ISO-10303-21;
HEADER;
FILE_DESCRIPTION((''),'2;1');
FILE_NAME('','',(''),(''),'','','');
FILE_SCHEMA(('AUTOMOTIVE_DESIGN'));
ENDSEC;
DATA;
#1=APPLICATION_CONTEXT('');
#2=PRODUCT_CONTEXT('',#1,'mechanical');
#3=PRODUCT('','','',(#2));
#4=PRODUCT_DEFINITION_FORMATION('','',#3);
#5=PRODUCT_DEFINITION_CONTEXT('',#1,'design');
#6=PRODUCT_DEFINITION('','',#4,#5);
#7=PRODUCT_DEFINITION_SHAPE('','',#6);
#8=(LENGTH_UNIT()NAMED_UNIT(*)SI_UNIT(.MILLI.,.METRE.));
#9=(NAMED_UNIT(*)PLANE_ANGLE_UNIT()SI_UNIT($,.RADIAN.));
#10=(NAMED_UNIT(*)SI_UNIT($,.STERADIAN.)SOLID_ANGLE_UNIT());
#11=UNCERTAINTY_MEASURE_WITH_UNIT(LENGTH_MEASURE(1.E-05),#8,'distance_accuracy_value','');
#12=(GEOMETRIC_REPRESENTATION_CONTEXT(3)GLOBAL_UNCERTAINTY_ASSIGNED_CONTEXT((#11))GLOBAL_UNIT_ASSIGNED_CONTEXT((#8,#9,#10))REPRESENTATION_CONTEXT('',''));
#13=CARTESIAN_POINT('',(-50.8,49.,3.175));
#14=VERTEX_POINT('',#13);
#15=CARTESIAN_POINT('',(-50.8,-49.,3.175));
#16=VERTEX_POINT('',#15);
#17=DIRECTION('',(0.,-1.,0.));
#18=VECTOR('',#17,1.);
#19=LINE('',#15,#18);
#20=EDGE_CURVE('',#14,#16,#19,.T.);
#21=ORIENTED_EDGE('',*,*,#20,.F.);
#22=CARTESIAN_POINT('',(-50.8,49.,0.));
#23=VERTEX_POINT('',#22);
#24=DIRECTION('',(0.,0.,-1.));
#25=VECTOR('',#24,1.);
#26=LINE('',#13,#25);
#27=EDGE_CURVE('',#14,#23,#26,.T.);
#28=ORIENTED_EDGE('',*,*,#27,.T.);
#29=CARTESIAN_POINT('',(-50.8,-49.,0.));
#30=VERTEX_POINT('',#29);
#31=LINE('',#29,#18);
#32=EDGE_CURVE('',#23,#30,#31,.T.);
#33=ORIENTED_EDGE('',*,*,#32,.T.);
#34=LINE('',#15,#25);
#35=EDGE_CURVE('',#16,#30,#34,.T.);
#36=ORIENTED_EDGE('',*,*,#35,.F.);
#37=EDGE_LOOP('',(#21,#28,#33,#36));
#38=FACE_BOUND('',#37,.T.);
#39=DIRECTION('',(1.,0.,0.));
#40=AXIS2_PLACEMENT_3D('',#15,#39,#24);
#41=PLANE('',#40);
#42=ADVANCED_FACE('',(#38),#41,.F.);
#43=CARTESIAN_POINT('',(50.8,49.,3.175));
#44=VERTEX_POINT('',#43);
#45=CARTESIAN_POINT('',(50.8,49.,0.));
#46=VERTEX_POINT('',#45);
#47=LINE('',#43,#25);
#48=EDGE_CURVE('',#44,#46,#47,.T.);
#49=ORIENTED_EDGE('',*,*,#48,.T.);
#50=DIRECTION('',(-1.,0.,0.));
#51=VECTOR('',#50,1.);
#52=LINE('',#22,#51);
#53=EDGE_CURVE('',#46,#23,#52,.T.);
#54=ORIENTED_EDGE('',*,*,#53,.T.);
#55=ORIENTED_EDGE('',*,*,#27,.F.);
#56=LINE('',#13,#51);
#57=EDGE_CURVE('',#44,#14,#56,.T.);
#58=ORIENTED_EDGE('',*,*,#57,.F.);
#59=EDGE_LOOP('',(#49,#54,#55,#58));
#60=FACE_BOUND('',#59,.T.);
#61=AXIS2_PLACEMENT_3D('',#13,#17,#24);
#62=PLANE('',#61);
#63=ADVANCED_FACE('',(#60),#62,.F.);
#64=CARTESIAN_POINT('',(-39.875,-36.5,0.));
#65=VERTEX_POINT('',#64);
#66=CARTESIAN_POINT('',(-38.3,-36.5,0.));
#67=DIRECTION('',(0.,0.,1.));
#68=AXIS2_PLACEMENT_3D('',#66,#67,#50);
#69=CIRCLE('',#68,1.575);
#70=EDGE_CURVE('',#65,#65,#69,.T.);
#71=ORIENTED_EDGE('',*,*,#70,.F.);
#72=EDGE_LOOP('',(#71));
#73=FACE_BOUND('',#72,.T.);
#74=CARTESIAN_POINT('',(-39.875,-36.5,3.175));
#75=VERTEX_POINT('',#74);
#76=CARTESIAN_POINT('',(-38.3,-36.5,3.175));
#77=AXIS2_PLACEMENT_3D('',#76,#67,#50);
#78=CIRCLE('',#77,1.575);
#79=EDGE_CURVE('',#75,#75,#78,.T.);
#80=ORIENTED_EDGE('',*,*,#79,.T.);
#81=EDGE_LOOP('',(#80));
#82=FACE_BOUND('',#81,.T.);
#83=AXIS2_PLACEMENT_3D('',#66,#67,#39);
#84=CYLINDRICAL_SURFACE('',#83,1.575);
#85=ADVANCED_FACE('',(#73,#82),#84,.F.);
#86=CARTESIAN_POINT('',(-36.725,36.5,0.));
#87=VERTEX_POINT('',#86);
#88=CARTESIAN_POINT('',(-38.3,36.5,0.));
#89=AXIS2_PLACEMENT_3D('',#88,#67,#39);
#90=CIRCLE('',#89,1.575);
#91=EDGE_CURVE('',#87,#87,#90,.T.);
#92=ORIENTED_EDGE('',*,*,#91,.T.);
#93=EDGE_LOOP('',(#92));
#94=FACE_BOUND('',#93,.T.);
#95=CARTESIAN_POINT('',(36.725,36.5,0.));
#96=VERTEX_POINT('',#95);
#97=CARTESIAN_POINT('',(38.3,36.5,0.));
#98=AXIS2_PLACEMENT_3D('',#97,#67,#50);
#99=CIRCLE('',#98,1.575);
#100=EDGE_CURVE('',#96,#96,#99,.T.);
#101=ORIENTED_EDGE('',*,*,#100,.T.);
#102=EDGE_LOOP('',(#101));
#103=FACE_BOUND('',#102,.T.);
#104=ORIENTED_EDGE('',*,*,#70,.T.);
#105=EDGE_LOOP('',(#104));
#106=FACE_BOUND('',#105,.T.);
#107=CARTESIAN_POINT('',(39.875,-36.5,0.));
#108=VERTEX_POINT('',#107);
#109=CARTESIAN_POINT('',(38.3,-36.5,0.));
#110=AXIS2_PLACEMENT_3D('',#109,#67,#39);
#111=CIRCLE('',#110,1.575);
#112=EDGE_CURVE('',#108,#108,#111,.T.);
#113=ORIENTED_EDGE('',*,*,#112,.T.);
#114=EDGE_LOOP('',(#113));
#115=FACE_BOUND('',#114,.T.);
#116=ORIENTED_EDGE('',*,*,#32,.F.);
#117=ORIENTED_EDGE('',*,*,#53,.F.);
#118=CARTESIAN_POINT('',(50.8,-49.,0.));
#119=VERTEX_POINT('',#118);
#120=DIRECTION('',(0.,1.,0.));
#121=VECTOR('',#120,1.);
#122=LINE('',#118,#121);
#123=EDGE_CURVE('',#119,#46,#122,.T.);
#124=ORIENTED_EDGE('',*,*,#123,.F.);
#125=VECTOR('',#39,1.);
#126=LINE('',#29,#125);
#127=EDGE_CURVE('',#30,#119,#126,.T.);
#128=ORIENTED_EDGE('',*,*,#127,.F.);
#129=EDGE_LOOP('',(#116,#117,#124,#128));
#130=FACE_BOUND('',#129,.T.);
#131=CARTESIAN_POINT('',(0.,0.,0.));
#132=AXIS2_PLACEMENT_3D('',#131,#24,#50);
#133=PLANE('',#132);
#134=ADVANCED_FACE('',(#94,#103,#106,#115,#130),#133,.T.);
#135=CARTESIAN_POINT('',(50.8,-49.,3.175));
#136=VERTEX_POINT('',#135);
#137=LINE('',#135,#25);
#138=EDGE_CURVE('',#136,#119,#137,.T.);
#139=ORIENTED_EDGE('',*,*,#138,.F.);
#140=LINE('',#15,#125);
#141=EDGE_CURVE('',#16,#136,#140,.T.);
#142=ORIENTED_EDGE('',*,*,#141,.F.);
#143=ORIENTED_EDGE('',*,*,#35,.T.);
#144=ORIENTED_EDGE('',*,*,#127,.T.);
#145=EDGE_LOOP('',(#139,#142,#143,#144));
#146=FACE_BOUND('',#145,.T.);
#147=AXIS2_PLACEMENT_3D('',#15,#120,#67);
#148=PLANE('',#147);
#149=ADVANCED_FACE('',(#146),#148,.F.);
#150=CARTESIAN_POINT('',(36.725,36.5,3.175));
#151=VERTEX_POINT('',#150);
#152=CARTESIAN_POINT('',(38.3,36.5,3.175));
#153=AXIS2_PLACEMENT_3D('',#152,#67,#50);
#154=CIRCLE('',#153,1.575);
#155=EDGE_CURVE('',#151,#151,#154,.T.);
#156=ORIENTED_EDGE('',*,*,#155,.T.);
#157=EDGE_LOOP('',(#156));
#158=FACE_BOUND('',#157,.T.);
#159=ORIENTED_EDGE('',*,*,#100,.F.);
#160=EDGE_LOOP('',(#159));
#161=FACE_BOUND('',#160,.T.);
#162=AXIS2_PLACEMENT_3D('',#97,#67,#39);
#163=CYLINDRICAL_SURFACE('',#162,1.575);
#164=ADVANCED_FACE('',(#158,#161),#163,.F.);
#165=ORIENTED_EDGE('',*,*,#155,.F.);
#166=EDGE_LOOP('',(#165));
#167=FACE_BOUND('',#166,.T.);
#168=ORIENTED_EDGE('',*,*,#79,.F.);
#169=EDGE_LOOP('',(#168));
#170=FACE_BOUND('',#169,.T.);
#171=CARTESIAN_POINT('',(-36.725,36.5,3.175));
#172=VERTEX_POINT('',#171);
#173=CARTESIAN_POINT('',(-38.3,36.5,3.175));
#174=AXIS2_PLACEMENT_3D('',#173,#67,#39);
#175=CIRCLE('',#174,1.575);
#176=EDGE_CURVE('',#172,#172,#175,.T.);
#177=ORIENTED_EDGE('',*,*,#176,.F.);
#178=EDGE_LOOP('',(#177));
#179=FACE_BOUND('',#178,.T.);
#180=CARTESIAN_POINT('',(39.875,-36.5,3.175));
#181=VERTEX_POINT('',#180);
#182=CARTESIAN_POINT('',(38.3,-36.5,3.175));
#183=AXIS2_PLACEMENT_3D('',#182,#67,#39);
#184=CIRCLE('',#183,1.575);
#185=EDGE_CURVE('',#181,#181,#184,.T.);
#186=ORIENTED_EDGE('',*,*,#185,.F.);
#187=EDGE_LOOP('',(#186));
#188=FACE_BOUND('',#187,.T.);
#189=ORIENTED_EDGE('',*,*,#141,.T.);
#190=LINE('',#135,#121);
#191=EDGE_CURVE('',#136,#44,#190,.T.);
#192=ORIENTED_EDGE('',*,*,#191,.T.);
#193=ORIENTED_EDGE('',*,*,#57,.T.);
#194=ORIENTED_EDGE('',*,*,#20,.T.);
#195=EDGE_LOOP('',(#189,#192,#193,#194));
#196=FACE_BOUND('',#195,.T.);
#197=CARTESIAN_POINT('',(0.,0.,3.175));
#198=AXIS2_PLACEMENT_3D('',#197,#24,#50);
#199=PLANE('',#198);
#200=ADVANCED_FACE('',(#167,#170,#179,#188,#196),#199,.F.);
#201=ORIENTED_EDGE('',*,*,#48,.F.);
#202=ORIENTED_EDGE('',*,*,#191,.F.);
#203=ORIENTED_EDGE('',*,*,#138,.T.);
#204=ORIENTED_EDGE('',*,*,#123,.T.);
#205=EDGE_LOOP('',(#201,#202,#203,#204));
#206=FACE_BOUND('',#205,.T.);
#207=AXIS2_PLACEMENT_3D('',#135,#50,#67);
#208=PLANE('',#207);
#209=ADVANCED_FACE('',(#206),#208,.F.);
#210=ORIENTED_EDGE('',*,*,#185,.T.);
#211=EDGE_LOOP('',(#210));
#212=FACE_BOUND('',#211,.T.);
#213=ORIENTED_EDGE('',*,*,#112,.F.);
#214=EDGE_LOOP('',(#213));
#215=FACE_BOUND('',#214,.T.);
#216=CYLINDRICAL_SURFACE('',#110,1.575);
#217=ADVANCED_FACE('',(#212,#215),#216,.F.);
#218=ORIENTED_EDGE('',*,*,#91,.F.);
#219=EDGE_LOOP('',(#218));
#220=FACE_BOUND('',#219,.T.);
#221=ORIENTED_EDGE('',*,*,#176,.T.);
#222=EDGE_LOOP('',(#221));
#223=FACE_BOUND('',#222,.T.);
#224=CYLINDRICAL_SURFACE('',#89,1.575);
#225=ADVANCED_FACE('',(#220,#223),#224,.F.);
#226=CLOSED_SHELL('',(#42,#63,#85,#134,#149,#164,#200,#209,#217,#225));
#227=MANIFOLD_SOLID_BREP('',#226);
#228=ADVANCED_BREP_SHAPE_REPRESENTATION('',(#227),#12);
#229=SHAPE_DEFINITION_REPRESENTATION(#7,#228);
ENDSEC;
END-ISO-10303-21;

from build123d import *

# Parameters (mm, degrees)
PROFILE_SKETCH_W        = 101.599999844
PROFILE_SKETCH_H        = 97.999999956
PROFILE_EXTRUDE_DEPTH   = 3.175
MOUNTING_HOLE_SKETCH_R  = 1.575
MOUNTING_HOLE_CUT_DEPTH = 4.175


with BuildPart() as part:
    # Profile Sketch → Profile Extrude (new body)
    with BuildSketch(Plane.XY):
        Rectangle(PROFILE_SKETCH_W, PROFILE_SKETCH_H)
    extrude(amount=PROFILE_EXTRUDE_DEPTH)

    # Mounting Hole Sketch → Mounting Hole Cut (cut, through all)
    with BuildSketch(Plane.XY.offset(3.175)):
        with Locations((-38.299999922, 36.499999978)):
            Circle(MOUNTING_HOLE_SKETCH_R)
        with Locations((38.299999922, 36.499999978)):
            Circle(MOUNTING_HOLE_SKETCH_R)
        with Locations((38.299999922, -36.499999978)):
            Circle(MOUNTING_HOLE_SKETCH_R)
        with Locations((-38.299999922, -36.499999978)):
            Circle(MOUNTING_HOLE_SKETCH_R)
    extrude(amount=-MOUNTING_HOLE_CUT_DEPTH, mode=Mode.SUBTRACT)


solid = part.part
